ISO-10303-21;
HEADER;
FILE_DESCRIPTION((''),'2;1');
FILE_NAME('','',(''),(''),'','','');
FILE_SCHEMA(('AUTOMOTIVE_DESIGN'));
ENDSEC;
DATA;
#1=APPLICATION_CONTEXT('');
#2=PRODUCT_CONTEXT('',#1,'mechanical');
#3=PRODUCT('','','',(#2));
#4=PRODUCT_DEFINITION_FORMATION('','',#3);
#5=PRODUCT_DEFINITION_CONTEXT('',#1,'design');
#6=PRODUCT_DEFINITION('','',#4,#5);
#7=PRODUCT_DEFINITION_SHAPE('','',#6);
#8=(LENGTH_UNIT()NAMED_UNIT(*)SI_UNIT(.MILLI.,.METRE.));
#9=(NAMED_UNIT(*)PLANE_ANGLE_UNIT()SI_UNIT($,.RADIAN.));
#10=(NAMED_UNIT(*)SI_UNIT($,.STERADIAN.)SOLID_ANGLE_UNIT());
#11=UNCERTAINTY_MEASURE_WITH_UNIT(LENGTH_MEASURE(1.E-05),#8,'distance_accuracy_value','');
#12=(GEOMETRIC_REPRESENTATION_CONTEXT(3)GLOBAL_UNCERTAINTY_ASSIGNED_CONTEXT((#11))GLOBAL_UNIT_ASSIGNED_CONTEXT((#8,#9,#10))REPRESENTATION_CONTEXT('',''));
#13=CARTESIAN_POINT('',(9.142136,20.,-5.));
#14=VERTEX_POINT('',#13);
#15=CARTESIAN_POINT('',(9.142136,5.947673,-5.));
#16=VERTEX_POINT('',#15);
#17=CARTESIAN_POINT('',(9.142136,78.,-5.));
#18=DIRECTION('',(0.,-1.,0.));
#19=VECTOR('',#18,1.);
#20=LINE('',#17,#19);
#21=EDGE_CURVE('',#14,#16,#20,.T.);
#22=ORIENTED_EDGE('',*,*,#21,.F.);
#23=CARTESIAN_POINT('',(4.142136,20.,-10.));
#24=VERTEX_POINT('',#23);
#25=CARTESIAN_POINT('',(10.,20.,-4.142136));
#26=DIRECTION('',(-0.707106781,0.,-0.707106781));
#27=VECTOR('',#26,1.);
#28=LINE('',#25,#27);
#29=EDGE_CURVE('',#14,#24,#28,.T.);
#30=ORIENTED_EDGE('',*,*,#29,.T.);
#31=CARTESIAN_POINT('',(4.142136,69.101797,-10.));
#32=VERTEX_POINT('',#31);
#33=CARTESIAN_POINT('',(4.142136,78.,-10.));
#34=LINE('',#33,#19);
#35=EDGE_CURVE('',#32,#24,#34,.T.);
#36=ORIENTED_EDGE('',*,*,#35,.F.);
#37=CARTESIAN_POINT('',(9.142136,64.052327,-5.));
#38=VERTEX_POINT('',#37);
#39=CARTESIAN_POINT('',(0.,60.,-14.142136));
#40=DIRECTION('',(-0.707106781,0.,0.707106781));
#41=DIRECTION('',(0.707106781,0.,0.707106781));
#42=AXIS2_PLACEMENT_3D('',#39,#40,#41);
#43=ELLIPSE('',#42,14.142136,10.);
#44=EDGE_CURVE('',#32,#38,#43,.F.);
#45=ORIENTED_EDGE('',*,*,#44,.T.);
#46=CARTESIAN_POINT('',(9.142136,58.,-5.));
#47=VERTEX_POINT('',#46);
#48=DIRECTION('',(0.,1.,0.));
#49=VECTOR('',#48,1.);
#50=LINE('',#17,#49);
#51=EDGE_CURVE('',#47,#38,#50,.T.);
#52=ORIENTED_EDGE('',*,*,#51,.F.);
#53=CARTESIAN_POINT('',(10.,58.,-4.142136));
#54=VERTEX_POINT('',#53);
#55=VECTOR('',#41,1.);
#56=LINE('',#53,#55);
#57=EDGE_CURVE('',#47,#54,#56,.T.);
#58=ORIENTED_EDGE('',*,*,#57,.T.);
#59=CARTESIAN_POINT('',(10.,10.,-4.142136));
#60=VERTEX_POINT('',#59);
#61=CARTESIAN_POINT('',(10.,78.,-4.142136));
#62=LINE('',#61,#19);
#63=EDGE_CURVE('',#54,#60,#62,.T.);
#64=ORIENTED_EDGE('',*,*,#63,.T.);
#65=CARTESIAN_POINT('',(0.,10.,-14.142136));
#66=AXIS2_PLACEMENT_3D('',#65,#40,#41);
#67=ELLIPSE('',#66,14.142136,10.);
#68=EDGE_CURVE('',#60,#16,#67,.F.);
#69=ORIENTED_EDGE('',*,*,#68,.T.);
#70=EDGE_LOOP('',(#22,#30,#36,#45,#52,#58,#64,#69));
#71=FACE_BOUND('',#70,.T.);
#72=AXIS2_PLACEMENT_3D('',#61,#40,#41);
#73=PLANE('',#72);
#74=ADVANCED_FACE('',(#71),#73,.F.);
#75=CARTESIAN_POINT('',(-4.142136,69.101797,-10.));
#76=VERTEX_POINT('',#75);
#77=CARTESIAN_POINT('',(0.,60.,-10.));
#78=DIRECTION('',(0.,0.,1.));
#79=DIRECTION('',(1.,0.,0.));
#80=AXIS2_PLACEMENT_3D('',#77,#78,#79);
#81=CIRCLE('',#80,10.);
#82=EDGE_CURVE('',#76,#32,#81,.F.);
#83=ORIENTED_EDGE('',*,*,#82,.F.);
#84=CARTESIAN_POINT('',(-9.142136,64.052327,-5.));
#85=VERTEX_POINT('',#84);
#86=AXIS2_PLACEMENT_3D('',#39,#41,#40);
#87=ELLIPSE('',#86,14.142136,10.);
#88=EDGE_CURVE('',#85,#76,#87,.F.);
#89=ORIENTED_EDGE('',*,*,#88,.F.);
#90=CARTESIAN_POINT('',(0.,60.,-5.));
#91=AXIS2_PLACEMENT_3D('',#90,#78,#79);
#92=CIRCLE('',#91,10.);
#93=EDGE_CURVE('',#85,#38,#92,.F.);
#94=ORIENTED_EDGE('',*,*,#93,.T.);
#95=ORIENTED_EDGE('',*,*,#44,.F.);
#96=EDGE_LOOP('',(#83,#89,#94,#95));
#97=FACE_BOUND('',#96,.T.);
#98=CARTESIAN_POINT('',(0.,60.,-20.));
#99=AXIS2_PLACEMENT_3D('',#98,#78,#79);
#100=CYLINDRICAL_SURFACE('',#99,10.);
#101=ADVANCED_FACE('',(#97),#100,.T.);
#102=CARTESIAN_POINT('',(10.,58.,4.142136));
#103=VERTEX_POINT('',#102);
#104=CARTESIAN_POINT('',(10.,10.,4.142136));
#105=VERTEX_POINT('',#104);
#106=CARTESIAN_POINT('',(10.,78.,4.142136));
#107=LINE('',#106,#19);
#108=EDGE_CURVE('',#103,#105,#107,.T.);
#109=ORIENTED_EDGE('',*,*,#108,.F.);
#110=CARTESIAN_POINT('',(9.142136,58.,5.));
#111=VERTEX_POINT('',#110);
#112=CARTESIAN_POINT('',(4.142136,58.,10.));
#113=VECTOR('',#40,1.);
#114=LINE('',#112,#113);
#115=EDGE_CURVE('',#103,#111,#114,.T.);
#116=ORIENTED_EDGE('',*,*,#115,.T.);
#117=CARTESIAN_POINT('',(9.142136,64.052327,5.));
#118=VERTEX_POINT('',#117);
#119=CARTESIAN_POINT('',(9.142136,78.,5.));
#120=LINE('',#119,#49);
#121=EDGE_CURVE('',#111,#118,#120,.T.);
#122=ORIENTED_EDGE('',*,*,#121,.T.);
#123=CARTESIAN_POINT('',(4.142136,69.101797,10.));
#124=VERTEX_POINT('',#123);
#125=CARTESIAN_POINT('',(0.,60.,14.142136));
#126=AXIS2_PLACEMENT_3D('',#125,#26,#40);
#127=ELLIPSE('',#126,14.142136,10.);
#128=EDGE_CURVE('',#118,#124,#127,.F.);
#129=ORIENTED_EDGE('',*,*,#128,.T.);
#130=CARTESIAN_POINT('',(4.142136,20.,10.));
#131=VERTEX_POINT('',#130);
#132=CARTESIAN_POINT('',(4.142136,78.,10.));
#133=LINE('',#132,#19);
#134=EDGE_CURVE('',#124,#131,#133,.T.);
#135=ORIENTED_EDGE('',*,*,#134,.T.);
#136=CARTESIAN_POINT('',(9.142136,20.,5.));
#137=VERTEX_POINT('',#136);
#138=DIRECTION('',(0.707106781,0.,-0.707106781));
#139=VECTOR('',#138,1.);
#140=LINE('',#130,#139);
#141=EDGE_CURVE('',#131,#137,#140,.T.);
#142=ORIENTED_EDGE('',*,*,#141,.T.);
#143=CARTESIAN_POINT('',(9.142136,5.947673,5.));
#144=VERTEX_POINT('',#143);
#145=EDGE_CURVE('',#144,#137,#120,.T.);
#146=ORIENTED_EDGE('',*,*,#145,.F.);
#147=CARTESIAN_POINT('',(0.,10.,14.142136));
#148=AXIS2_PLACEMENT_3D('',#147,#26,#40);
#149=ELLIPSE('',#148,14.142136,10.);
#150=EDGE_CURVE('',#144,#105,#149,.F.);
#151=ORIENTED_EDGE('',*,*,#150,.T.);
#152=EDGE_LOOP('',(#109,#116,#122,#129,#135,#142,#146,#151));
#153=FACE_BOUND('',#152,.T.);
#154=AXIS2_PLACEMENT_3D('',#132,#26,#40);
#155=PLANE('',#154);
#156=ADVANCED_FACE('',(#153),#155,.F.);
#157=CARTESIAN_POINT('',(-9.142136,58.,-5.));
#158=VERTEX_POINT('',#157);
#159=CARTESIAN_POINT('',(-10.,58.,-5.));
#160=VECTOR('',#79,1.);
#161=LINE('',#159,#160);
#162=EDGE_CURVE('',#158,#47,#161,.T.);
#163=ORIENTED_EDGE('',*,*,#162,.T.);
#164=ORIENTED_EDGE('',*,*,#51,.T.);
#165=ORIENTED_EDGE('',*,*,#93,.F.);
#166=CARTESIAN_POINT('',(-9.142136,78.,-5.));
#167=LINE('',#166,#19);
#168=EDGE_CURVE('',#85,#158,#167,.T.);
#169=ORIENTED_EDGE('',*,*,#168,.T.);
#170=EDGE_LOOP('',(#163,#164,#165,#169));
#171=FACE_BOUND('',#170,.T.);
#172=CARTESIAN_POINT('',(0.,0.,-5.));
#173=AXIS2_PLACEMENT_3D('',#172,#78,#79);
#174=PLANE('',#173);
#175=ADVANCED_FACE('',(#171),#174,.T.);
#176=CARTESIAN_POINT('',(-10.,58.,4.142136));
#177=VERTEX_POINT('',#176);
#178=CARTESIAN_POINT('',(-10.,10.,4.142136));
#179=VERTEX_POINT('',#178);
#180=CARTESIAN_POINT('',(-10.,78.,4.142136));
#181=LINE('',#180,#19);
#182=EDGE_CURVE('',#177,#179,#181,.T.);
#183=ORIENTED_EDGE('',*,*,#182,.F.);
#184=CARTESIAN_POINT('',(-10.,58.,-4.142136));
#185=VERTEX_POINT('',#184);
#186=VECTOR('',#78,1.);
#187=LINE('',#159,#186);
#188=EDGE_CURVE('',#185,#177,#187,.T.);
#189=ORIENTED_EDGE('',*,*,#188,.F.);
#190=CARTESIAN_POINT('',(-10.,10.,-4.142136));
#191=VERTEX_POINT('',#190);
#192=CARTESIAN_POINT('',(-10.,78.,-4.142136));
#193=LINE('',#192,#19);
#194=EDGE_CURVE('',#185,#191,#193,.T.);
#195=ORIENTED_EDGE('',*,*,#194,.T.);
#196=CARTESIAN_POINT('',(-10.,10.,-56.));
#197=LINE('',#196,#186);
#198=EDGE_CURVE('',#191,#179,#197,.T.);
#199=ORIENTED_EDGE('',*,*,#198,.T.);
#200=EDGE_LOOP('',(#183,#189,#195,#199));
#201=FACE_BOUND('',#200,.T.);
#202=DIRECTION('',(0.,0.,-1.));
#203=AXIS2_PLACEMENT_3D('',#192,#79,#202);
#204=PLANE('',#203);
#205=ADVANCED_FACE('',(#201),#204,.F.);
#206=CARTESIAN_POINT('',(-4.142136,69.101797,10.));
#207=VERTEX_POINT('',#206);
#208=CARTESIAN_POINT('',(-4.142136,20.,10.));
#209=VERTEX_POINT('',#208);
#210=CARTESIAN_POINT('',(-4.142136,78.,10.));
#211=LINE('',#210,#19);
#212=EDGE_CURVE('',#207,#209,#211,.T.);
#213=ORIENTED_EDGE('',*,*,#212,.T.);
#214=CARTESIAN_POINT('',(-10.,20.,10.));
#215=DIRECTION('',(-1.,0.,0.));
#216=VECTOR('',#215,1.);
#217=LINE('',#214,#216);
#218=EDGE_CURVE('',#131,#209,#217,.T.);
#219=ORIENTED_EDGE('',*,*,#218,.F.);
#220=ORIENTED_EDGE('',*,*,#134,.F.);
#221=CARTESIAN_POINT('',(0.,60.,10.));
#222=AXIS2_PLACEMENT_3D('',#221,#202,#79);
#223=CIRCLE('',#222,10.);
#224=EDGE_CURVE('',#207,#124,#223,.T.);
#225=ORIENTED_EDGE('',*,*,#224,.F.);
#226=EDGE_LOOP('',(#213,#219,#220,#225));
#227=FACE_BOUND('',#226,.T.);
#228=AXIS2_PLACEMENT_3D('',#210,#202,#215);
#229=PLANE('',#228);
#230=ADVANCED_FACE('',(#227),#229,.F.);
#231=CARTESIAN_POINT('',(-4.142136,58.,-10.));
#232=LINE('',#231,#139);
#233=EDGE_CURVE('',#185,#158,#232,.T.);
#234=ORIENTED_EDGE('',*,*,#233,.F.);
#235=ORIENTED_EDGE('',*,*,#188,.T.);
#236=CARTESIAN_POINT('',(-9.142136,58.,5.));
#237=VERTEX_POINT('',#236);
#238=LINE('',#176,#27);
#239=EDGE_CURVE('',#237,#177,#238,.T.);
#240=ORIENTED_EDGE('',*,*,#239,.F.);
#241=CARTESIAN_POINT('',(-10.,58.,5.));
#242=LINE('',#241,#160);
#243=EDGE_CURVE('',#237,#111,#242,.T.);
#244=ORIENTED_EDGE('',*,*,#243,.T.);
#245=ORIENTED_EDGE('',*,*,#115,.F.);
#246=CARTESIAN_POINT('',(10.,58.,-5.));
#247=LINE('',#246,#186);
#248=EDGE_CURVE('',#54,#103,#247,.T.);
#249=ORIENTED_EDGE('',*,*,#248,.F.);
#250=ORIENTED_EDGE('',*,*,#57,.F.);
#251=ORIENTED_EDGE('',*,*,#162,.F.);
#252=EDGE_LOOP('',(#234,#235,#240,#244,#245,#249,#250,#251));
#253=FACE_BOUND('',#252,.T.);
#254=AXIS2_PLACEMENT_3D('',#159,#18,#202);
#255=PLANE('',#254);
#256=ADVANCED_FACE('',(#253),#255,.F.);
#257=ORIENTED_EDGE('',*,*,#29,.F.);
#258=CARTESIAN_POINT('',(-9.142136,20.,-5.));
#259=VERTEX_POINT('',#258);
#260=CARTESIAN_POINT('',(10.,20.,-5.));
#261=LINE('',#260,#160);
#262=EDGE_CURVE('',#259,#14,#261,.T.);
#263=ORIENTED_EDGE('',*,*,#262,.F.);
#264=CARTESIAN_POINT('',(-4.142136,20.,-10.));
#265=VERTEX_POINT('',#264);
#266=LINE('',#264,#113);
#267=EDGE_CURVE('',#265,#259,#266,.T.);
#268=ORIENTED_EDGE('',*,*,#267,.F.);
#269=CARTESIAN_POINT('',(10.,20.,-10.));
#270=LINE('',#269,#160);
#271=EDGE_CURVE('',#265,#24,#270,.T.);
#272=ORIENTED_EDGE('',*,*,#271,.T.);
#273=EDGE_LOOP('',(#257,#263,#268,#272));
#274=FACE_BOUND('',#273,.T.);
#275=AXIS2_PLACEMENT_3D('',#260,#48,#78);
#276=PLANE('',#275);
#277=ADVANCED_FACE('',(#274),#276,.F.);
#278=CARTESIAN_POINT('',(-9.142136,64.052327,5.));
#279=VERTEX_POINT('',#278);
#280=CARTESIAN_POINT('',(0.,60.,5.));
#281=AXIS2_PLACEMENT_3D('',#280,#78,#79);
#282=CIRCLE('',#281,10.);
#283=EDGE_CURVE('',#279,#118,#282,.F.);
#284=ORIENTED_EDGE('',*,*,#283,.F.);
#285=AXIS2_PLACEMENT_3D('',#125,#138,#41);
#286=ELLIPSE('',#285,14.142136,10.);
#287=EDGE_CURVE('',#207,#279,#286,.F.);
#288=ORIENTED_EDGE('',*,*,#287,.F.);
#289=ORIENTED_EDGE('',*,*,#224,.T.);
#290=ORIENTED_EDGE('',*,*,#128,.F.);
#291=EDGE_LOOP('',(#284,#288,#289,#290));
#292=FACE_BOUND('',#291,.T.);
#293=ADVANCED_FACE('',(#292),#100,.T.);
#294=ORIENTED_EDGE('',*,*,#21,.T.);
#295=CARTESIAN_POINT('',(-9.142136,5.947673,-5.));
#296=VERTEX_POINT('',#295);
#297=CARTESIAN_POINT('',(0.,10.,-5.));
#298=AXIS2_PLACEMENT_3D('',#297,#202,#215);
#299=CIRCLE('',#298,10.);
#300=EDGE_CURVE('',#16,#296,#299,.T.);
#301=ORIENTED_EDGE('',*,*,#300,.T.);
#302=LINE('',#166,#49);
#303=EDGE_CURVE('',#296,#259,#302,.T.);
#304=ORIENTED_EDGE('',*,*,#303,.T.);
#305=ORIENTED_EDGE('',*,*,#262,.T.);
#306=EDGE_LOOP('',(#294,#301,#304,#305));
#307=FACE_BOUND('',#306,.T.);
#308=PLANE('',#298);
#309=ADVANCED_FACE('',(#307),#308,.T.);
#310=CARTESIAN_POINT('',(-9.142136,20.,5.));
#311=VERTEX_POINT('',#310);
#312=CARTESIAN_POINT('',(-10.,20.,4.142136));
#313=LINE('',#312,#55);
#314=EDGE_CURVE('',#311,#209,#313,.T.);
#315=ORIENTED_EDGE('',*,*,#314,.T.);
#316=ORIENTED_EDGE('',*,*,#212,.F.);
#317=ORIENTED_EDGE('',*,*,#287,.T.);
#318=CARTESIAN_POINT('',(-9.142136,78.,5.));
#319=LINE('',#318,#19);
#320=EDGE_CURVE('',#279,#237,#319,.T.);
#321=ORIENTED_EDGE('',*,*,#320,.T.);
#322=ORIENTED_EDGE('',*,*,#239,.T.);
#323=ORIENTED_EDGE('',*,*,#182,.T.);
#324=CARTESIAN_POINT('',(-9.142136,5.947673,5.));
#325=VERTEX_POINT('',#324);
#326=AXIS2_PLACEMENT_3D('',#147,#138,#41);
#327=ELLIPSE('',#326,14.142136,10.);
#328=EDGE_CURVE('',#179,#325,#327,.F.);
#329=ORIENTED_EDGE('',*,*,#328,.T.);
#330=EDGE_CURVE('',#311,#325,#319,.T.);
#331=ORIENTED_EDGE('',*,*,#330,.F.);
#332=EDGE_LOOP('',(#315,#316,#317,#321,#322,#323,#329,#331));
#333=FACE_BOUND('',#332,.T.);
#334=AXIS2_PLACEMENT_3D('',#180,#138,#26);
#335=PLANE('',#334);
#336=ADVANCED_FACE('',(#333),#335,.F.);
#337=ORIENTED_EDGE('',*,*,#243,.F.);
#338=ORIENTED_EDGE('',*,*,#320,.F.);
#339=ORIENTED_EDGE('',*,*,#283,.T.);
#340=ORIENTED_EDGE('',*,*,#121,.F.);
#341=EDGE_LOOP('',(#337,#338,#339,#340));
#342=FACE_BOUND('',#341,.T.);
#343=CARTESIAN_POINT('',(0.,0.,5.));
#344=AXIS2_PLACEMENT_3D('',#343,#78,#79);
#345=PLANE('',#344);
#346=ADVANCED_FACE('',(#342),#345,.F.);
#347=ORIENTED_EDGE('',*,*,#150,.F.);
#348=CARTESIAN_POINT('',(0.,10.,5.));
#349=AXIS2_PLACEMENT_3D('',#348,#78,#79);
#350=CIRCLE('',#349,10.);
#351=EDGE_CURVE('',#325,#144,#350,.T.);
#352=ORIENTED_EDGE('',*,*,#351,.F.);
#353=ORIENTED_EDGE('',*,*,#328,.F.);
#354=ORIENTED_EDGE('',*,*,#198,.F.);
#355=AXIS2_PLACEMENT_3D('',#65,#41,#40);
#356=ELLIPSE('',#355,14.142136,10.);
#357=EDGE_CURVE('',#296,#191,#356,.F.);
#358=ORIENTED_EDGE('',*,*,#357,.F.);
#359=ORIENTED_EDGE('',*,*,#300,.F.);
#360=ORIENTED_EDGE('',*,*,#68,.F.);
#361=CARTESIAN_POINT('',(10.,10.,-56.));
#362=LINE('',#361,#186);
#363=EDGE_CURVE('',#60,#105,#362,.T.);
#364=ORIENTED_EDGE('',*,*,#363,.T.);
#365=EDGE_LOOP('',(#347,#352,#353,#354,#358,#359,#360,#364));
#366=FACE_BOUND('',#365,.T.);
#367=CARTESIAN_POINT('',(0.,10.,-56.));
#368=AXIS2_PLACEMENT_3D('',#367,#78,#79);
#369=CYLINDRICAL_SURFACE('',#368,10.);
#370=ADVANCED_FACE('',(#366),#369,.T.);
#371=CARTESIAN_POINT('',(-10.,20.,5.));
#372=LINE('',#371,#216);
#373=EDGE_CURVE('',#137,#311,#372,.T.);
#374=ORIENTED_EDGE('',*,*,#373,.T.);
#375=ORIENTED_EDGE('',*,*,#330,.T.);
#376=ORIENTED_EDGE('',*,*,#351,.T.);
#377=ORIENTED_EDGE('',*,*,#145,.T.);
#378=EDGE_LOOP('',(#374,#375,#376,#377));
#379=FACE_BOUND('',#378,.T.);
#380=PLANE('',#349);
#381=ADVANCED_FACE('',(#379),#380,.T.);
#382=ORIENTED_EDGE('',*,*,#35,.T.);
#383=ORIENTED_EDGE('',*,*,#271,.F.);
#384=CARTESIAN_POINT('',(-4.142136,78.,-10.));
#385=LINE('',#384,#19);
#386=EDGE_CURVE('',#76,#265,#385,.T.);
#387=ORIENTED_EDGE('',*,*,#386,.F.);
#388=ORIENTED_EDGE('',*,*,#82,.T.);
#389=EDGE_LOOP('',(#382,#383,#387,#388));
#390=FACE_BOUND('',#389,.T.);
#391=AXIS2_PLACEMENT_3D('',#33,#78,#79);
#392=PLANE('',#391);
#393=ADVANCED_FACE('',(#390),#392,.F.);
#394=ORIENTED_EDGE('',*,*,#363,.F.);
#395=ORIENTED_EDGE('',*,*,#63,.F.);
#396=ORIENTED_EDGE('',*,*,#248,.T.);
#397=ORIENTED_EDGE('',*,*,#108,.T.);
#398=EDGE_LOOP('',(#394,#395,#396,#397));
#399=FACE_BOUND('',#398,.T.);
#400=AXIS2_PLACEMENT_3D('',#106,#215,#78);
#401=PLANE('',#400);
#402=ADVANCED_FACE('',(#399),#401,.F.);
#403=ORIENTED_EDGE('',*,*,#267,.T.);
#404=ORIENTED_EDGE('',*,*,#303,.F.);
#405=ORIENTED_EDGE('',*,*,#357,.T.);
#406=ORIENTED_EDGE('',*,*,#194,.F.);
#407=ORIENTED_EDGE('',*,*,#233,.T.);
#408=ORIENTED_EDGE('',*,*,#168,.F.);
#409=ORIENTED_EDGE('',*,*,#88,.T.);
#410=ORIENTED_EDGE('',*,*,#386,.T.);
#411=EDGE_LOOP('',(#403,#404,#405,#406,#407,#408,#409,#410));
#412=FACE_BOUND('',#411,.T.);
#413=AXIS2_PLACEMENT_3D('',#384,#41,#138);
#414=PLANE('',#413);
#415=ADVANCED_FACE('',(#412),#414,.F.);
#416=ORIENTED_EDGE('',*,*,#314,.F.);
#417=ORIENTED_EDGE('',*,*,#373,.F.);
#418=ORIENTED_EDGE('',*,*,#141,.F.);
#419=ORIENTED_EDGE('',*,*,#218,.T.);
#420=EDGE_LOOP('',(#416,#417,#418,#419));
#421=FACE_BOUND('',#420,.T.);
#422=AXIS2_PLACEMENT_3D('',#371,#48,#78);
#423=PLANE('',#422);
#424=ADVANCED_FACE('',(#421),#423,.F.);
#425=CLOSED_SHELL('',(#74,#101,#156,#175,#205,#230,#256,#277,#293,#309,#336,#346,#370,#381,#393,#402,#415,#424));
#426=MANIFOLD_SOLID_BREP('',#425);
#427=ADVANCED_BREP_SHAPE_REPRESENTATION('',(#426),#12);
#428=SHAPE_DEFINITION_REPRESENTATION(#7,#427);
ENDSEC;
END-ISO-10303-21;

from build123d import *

# Parameters (mm, degrees)
EXTRUDE_1_DEPTH     = 78
CUT_EXTRUDE_1_DEPTH = 66
CUT_EXTRUDE_2_DEPTH = 5
CUT_EXTRUDE_START   = -5
CUT_EXTRUDE_3_DEPTH = 5
SKETCH_6_W          = 20
SKETCH_6_H          = 20
CUT_EXTRUDE_4_DEPTH = 5
CUT_EXTRUDE_5_DEPTH = 30


with BuildPart() as part:
    # 草图1 → 凸台-拉伸1 (new body)
    with BuildSketch(Plane(origin=(0, 0, 0), x_dir=(1, 0, 0), z_dir=(0, 1, 0))):
        Polygon((10, 4.142135624), (4.142135624, 10), (-4.142135624, 10), (-10, 4.142135624), (-10, -4.142135624), (-4.142135624, -10), (4.142135624, -10), (10, -4.142135624), align=None)
    extrude(amount=EXTRUDE_1_DEPTH)

    # 草图2 → 切除-拉伸1 (cut)
    with BuildSketch(Plane.XY.offset(10)):
        with BuildLine():
            Line((-10, 10), (-10, -2.389295552))
            Line((-10, -2.389295552), (10, -2.389295552))
            Line((10, -2.389295552), (10, 10))
            ThreePointArc((10, 10), (0, 0), (-10, 10))
        make_face()
    extrude(amount=-CUT_EXTRUDE_1_DEPTH, mode=Mode.SUBTRACT)

    # 草图4 → 切除-拉伸2 (cut)
    with BuildSketch(Plane.XY.offset(10)):
        with BuildLine():
            Line((-10, 10), (-10, 20))
            Line((-10, 20), (10, 20))
            Line((10, 20), (10, 10))
            ThreePointArc((10, 10), (0, 0), (-10, 10))
        make_face()
    extrude(amount=-CUT_EXTRUDE_2_DEPTH, mode=Mode.SUBTRACT)

    # 草图5 → 切除-拉伸3 (cut)
    with BuildSketch(Plane(origin=(0, 0, -10), x_dir=(-1, 0, 0), z_dir=(0, 0, -1)).offset(CUT_EXTRUDE_START)):
        with BuildLine():
            Line((-10, 10), (-10, 20))
            Line((-10, 20), (10, 20))
            Line((10, 20), (10, 10))
            ThreePointArc((10, 10), (0, 0), (-10, 10))
        make_face()
    extrude(amount=CUT_EXTRUDE_3_DEPTH, mode=Mode.SUBTRACT)

    # 草图6 → 切除-拉伸4 (cut, symmetric)
    with BuildSketch(Plane.XY):
        with Locations((0, 68)):
            Rectangle(SKETCH_6_W, SKETCH_6_H)
    extrude(amount=CUT_EXTRUDE_4_DEPTH, both=True, mode=Mode.SUBTRACT)

    # 草图7 → 切除-拉伸5 (cut)
    with BuildSketch(Plane.XY.offset(10)):
        with BuildLine():
            Line((-10, 60), (-10, 79.107913371))
            Line((-10, 79.107913371), (10, 79.107913371))
            Line((10, 79.107913371), (10, 60))
            ThreePointArc((10, 60), (0, 70), (-10, 60))
        make_face()
    extrude(amount=-CUT_EXTRUDE_5_DEPTH, mode=Mode.SUBTRACT)


solid = part.part
